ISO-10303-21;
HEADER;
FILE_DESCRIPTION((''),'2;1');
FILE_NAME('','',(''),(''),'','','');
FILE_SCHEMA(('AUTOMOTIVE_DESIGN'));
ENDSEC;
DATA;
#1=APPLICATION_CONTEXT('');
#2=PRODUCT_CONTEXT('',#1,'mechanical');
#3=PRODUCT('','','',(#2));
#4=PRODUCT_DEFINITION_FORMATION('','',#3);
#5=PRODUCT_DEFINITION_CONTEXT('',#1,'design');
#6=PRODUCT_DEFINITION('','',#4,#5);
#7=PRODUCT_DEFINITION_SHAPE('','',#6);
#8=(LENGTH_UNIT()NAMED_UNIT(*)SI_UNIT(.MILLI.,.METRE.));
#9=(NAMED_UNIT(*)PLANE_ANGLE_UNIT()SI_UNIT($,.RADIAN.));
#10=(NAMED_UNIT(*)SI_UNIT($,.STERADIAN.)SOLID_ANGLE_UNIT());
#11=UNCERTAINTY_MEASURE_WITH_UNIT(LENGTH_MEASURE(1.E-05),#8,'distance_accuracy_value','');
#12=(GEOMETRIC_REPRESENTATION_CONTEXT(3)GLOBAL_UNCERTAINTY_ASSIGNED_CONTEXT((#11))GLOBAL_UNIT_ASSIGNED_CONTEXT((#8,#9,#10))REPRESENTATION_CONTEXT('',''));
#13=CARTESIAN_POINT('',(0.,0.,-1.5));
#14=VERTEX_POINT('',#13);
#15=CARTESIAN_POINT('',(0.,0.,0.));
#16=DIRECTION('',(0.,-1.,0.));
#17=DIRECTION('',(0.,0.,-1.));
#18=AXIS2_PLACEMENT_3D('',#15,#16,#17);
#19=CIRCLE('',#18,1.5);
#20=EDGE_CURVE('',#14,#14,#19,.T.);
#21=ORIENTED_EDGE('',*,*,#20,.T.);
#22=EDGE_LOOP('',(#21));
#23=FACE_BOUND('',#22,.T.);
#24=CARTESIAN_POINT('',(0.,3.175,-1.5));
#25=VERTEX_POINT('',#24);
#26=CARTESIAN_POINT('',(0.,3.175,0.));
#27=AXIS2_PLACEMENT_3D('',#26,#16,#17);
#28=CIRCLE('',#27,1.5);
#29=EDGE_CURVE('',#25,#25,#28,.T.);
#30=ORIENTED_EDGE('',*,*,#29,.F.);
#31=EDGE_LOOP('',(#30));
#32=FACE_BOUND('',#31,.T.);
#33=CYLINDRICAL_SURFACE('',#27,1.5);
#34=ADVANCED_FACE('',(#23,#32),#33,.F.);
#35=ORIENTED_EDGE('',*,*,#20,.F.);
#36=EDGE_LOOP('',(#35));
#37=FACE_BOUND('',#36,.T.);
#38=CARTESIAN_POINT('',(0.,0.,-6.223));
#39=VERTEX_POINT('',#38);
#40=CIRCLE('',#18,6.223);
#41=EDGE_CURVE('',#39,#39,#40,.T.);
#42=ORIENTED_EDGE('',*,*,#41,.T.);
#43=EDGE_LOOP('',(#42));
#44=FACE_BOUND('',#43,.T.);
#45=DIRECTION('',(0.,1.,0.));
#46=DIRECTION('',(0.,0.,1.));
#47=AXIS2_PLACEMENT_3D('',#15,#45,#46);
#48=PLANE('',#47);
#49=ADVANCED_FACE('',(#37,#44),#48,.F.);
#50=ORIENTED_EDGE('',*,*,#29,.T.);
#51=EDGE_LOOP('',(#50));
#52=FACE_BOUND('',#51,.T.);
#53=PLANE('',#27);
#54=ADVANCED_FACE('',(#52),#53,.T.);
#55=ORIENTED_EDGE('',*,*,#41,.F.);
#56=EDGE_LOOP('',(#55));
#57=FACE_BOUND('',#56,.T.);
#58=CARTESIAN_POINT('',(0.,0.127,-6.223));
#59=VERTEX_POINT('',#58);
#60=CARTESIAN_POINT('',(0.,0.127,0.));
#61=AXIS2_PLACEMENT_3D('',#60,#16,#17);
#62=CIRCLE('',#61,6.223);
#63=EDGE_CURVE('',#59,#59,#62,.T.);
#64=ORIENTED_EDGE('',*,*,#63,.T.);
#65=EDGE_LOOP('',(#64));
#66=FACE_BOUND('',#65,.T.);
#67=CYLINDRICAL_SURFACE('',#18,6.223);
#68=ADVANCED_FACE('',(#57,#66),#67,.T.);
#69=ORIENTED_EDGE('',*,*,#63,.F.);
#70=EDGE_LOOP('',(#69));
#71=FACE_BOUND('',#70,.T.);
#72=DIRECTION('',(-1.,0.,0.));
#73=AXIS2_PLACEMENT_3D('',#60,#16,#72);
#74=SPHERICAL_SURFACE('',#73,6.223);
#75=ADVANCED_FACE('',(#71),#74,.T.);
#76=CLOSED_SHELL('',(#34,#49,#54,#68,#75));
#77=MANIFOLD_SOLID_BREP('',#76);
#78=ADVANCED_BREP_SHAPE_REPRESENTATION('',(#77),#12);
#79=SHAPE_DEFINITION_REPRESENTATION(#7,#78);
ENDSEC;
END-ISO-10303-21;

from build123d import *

# Parameters (mm, degrees)
SKETCH2_R          = 1.5
CUT_EXTRUDE1_DEPTH = 3.175


with BuildPart() as part:
    # Sketch1 → Revolve1 (revolve)
    with BuildSketch(Plane.XY, mode=Mode.PRIVATE) as revolve1_sk:
        with BuildLine():
            Line((0, 0), (-6.223, 0))
            Line((-6.223, 0), (-6.223, 0.127))
            ThreePointArc((-6.223, 0.127), (-4.400325499, 4.527325499), (0, 6.35))
            Line((0, 6.35), (0, 0))
        make_face()
    revolve(revolve1_sk.sketch.rotate(Axis((0, 0, 0), (0, 1, 0)), 270), axis=Axis((0, 0, 0), (0, 1, 0)))

    # Sketch2 → Cut-Extrude1 (cut)
    with BuildSketch(Plane.XZ):
        with Locations(Location((0, 0, 0), (0, 0, 270))):
            Circle(SKETCH2_R)
    extrude(amount=-CUT_EXTRUDE1_DEPTH, mode=Mode.SUBTRACT)


solid = part.part
